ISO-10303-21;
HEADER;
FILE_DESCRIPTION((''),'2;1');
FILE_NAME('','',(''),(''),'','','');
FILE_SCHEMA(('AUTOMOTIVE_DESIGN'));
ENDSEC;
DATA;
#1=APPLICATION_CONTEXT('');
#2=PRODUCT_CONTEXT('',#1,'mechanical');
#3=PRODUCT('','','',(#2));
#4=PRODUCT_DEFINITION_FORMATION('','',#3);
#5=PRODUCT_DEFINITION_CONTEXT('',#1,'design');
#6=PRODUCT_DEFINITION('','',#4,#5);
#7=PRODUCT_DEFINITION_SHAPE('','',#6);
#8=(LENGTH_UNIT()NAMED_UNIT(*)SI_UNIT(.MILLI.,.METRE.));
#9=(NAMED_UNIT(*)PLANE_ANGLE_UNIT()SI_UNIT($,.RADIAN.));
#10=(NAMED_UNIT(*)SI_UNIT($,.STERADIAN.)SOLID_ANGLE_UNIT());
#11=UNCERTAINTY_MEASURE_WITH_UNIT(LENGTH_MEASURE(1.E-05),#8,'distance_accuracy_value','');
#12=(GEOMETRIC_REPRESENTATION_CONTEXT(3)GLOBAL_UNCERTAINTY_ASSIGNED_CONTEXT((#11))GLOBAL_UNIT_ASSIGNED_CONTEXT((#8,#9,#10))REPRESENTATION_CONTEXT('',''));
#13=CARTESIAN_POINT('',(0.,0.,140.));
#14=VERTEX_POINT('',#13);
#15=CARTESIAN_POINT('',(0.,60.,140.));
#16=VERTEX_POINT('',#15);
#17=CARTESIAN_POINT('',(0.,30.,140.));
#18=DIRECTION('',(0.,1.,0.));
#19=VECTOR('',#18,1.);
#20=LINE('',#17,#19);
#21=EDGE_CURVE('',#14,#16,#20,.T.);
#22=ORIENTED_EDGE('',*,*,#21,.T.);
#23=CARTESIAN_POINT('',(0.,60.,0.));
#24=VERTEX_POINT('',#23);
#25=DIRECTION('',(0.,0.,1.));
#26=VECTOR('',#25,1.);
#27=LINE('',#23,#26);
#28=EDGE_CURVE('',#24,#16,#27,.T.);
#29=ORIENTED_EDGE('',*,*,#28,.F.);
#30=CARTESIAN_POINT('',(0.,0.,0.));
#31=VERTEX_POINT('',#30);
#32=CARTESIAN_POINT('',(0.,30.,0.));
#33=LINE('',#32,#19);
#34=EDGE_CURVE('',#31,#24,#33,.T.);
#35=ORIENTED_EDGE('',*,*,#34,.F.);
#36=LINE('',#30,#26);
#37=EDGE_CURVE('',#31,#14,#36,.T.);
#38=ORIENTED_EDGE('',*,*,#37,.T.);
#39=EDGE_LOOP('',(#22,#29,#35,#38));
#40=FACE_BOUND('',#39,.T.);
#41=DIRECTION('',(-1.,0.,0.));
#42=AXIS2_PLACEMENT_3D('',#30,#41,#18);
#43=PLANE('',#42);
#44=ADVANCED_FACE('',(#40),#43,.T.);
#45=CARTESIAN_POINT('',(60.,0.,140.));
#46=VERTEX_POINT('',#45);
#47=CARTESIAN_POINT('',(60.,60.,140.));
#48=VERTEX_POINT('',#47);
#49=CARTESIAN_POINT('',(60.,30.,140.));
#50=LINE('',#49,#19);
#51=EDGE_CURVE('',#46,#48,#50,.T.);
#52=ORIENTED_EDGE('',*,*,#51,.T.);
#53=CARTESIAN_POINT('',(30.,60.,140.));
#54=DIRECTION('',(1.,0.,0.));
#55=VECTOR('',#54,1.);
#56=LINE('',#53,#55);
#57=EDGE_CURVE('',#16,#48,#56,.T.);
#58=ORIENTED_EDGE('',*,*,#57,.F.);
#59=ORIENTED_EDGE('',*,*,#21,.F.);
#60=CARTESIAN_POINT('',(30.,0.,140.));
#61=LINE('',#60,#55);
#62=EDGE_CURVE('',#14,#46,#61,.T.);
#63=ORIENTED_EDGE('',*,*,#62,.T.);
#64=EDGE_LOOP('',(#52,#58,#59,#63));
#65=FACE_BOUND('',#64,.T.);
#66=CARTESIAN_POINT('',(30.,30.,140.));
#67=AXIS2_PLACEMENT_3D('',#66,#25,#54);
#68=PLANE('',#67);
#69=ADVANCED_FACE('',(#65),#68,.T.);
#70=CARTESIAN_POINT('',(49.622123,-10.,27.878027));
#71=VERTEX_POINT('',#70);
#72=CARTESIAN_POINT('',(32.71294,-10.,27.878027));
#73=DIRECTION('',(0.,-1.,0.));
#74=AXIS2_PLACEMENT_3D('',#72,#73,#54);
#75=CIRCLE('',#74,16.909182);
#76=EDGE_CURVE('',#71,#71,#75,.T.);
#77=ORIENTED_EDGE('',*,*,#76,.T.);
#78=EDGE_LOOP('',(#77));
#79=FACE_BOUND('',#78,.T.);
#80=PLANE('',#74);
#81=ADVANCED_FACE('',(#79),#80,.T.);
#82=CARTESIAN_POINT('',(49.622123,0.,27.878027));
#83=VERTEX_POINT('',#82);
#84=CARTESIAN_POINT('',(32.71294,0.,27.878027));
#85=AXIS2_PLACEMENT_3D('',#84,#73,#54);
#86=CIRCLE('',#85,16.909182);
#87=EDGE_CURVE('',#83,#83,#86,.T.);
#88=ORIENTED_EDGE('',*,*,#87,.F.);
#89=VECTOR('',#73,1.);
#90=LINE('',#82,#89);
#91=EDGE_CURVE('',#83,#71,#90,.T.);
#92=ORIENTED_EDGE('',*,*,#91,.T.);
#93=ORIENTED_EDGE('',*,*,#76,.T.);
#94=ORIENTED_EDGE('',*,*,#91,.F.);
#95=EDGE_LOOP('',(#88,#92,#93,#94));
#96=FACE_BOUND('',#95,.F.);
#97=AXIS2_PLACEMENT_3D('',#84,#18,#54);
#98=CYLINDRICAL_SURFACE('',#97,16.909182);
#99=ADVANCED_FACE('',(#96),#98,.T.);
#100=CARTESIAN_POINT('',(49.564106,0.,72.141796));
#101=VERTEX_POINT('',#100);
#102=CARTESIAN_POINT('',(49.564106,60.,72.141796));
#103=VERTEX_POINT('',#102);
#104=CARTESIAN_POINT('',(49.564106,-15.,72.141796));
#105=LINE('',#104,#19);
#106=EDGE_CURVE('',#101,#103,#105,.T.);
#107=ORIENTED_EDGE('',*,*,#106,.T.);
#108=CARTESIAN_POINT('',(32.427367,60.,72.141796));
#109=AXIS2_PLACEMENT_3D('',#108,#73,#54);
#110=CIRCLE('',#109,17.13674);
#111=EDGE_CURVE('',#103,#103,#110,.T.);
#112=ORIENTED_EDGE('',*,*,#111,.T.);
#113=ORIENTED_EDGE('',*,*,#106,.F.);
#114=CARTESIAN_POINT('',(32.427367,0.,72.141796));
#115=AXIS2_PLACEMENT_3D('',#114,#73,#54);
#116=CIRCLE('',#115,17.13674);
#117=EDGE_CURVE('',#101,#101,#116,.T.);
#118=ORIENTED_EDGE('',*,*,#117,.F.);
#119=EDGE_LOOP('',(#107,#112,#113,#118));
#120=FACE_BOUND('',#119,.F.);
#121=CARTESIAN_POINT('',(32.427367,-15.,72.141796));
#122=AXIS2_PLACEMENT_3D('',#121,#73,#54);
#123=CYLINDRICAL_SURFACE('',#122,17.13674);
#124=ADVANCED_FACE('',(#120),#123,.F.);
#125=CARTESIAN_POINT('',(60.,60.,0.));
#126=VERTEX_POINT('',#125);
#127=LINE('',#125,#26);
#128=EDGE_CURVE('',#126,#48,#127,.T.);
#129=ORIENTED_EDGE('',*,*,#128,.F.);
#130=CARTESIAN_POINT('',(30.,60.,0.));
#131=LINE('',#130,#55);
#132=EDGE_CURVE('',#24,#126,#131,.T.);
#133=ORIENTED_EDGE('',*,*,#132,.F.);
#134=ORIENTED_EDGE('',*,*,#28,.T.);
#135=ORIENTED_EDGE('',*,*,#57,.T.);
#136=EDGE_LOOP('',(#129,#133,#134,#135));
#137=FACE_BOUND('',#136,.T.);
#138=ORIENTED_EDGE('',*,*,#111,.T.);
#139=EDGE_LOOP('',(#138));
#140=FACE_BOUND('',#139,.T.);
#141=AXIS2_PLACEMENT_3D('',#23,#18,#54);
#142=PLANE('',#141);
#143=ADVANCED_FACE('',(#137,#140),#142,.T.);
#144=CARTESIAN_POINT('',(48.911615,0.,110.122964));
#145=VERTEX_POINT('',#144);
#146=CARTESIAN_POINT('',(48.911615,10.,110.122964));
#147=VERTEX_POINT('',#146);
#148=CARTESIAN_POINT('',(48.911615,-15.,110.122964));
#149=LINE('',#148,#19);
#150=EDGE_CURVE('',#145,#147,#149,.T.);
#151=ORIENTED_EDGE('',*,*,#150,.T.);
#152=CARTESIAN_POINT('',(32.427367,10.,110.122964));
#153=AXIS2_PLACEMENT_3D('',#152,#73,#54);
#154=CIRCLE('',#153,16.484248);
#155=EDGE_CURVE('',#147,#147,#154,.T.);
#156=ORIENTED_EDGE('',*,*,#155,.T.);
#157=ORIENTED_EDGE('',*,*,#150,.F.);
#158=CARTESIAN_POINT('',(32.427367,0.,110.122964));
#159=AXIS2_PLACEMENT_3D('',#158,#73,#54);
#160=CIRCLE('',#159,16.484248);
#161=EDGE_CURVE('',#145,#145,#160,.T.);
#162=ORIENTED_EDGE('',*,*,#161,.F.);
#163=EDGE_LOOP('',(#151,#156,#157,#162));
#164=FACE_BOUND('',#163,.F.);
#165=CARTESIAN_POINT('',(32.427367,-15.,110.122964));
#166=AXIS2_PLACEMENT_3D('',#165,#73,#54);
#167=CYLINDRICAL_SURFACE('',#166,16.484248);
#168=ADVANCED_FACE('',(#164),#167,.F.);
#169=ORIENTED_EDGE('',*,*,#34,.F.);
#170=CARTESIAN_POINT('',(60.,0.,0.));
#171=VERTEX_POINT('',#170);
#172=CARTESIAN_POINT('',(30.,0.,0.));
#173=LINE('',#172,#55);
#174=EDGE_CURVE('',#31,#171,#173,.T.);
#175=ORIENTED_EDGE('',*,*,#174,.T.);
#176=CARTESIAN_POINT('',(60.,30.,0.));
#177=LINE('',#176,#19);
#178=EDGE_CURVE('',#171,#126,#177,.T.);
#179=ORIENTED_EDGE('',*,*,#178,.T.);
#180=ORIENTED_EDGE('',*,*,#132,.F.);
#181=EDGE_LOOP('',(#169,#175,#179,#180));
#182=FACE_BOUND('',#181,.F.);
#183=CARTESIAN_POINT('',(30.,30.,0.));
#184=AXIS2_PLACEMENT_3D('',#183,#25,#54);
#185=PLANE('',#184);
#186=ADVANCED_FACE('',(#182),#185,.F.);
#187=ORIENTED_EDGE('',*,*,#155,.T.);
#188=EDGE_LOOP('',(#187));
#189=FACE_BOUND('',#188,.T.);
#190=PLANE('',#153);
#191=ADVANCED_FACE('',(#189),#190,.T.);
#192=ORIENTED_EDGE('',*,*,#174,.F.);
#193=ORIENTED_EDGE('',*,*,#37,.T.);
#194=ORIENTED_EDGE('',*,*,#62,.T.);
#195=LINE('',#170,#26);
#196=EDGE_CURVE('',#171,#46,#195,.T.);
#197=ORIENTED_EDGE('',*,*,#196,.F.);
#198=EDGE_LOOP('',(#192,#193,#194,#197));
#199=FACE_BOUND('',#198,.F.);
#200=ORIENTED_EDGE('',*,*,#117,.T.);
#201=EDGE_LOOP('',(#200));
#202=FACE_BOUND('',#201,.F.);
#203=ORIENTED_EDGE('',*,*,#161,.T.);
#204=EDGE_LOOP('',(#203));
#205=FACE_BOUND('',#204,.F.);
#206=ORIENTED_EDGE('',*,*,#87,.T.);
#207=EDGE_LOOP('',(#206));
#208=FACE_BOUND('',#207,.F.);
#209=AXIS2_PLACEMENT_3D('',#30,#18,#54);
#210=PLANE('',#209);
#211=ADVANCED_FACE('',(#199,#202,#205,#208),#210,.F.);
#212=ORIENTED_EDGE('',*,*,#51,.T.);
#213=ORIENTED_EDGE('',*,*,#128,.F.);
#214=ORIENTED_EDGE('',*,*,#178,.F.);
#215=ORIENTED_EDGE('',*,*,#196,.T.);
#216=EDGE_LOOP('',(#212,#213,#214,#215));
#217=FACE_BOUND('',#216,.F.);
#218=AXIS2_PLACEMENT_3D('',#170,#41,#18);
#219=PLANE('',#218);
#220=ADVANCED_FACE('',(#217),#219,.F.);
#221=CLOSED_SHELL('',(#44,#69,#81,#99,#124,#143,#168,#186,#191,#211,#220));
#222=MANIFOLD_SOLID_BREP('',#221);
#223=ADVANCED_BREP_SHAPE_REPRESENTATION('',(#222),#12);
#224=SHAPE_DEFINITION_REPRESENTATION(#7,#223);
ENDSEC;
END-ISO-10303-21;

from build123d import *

# Parameters (mm, degrees)
F0_W     = 60
F0_H     = 60
F1_DEPTH = 140
F2_R     = 16.4842483895
F2_R_2   = 17.1367396553
F2_R_3   = 16.9091823749
F3_DEPTH = 15
F4_DEPTH = 199
F5_DEPTH = 25
F6_DEPTH = 5


with BuildPart() as f1:
    # F0 (on Top) → F1 (new body)
    with BuildSketch(Plane.XY):
        with Locations((30, 30)):
            Rectangle(F0_W, F0_H)
    extrude(amount=F1_DEPTH)

    # F2 (on face) → F3 (join)
    with BuildSketch(Plane.XZ):
        with Locations((32.427366823, 110.1229637861)):
            Circle(F2_R)
        with Locations((32.427366823, 72.1417963505)):
            Circle(F2_R_2)
        with Locations((32.7129401267, 27.8780274093)):
            Circle(F2_R_3)
    extrude(amount=F3_DEPTH)

    # F4 (cut): a face of the model
    f4_faces = [f1.faces().sort_by_distance(p)[0] for p in [
        (32.427366823, -15, 72.1417963505),
    ]]
    extrude(f4_faces, amount=-F4_DEPTH, mode=Mode.SUBTRACT)

    # F5 (cut): a face of the model
    f5_faces = [f1.faces().sort_by_distance(p)[0] for p in [
        (32.427366823, -15, 110.1229637861),
    ]]
    extrude(f5_faces, amount=-F5_DEPTH, mode=Mode.SUBTRACT)

    # F6 (cut): a face of the model
    f6_faces = [f1.faces().sort_by_distance(p)[0] for p in [
        (32.7129401267, -15, 27.8780274093),
    ]]
    extrude(f6_faces, amount=-F6_DEPTH, mode=Mode.SUBTRACT)


solid = f1.part
